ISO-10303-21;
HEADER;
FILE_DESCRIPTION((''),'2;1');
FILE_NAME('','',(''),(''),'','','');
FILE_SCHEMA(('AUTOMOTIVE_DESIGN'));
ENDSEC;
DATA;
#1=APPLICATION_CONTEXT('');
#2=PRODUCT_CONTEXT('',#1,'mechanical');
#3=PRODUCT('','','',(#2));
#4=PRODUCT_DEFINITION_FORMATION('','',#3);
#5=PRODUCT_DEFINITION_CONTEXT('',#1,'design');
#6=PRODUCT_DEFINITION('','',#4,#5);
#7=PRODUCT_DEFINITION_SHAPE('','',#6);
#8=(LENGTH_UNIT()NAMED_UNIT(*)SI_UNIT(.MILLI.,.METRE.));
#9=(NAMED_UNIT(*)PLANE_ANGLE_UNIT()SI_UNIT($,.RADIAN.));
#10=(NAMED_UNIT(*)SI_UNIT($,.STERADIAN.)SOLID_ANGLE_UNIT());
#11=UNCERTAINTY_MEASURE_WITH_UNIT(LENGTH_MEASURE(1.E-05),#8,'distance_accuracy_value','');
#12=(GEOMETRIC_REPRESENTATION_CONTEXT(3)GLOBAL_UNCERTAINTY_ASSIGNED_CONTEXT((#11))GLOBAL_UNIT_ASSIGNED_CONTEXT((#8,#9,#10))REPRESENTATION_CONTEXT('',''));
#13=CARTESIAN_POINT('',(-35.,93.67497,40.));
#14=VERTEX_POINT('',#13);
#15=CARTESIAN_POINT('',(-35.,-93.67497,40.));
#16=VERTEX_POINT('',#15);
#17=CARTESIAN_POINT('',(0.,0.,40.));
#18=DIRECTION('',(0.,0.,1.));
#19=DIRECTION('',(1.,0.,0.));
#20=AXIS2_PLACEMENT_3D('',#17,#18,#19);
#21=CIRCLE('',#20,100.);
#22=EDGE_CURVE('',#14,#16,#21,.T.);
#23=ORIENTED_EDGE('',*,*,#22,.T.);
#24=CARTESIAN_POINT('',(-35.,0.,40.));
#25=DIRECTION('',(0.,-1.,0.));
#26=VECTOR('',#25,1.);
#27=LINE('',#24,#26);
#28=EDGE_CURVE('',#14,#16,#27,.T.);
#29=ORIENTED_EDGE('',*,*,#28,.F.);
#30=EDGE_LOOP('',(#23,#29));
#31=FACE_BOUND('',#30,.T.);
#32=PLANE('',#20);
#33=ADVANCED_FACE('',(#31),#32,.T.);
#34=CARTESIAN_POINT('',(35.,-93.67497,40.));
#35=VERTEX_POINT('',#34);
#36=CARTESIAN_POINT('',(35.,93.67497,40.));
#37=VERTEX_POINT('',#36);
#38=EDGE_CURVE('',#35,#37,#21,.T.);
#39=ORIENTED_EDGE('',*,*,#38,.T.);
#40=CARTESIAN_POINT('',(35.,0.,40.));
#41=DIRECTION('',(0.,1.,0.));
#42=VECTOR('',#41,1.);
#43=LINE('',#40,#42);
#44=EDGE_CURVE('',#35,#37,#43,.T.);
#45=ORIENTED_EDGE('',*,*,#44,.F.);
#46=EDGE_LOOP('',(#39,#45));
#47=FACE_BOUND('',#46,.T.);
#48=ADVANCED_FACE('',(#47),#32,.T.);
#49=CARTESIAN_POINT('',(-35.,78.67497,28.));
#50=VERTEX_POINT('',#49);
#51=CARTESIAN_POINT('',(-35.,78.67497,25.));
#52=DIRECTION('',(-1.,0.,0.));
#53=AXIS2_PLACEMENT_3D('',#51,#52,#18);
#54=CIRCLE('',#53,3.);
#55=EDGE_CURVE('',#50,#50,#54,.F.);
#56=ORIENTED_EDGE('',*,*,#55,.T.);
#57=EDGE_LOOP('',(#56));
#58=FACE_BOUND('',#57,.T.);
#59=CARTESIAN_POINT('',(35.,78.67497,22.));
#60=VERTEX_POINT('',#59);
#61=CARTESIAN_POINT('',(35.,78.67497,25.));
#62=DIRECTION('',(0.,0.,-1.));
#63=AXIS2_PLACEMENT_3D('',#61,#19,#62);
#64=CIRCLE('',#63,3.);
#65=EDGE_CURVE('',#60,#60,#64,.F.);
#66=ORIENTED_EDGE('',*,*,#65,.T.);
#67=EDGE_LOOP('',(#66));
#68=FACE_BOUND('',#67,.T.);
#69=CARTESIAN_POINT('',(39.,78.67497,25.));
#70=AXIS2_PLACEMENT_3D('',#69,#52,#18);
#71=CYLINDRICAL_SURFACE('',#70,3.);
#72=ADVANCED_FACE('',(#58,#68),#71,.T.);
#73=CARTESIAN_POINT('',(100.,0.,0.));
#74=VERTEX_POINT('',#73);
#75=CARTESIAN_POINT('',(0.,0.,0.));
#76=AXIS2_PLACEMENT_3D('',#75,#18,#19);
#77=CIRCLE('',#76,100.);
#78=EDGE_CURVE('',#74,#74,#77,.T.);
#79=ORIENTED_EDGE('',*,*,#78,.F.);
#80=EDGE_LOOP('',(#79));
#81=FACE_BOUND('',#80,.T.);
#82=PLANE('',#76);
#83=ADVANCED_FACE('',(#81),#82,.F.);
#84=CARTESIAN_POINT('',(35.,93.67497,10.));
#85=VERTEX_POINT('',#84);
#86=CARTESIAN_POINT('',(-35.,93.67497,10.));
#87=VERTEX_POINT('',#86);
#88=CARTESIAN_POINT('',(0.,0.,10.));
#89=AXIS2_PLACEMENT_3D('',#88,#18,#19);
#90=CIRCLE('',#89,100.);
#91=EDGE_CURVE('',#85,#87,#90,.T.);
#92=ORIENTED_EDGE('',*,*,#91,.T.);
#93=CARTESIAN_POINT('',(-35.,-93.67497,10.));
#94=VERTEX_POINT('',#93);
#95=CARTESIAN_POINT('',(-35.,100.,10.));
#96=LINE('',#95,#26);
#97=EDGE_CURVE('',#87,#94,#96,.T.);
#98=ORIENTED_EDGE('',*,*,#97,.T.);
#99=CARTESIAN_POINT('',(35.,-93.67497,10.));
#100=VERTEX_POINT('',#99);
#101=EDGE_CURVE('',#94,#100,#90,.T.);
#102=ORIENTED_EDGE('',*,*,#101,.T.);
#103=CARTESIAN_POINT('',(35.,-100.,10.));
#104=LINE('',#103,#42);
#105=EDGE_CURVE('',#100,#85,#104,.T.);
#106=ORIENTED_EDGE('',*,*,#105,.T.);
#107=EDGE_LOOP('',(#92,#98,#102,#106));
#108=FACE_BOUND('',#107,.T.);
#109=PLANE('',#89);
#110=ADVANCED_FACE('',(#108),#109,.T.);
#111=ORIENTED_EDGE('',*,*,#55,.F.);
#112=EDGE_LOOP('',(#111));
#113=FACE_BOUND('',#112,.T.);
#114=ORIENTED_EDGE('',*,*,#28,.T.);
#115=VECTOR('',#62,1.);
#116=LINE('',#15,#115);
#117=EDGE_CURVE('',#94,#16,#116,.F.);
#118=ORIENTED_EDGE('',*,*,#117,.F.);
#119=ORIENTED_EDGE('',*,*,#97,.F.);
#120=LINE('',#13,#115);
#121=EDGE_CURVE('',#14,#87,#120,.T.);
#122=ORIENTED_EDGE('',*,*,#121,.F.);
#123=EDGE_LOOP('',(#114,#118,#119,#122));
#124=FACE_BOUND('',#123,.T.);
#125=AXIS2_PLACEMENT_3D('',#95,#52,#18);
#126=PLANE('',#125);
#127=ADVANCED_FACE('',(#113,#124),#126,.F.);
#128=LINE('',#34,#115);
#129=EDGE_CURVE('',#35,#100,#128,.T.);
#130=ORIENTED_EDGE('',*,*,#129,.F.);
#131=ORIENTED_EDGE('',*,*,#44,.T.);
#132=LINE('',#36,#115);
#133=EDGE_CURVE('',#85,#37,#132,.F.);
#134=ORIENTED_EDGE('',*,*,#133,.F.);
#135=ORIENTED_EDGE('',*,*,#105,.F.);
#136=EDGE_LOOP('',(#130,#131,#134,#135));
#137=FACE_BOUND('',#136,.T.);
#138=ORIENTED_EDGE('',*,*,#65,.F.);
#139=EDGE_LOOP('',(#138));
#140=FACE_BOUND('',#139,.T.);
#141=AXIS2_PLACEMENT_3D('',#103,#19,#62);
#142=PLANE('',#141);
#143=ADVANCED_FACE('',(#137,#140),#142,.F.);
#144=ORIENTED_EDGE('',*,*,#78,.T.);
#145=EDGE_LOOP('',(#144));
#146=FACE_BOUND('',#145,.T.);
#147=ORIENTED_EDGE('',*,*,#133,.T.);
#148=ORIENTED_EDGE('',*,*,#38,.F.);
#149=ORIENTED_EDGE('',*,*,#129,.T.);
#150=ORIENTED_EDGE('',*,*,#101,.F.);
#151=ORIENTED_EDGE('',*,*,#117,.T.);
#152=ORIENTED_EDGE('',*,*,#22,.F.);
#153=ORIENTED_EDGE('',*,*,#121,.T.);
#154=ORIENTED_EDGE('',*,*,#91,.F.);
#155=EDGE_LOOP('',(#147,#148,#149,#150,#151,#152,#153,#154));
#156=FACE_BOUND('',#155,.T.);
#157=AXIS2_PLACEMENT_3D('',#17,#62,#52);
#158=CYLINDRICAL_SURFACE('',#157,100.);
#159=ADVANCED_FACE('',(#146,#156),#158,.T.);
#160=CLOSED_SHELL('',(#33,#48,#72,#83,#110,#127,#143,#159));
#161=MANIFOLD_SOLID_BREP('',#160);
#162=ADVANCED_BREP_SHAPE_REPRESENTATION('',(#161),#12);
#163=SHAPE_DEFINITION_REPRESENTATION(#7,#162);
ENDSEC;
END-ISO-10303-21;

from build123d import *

# Parameters (mm, degrees)
SKETCH_2_R          = 100
EXTRUDE_1_DEPTH     = 40
CUT_EXTRUDE_1_DEPTH = 30
SKETCH_4_R          = 3
EXTRUDE_2_DEPTH     = 74


with BuildPart() as part:
    # 草图2 → 凸台-拉伸1 (new body)
    with BuildSketch(Plane.XY):
        Circle(SKETCH_2_R)
    extrude(amount=EXTRUDE_1_DEPTH)

    # 草图3 → 切除-拉伸1 (cut)
    with BuildSketch(Plane.XY.offset(40)):
        Polygon((0, -100), (35, -100), (35, 100), (-35, 100), (-35, -100), align=None)
    extrude(amount=-CUT_EXTRUDE_1_DEPTH, mode=Mode.SUBTRACT)

    # 草图4 → 凸台-拉伸2 (add)
    with BuildSketch(Plane(origin=(-35, 0, 0), x_dir=(0, 0, -1), z_dir=(1, 0, 0))):
        with Locations(Location((-25, 78.674969976, 0), (0, 0, 180))):
            Circle(SKETCH_4_R)
    extrude(amount=EXTRUDE_2_DEPTH)


solid = part.part
